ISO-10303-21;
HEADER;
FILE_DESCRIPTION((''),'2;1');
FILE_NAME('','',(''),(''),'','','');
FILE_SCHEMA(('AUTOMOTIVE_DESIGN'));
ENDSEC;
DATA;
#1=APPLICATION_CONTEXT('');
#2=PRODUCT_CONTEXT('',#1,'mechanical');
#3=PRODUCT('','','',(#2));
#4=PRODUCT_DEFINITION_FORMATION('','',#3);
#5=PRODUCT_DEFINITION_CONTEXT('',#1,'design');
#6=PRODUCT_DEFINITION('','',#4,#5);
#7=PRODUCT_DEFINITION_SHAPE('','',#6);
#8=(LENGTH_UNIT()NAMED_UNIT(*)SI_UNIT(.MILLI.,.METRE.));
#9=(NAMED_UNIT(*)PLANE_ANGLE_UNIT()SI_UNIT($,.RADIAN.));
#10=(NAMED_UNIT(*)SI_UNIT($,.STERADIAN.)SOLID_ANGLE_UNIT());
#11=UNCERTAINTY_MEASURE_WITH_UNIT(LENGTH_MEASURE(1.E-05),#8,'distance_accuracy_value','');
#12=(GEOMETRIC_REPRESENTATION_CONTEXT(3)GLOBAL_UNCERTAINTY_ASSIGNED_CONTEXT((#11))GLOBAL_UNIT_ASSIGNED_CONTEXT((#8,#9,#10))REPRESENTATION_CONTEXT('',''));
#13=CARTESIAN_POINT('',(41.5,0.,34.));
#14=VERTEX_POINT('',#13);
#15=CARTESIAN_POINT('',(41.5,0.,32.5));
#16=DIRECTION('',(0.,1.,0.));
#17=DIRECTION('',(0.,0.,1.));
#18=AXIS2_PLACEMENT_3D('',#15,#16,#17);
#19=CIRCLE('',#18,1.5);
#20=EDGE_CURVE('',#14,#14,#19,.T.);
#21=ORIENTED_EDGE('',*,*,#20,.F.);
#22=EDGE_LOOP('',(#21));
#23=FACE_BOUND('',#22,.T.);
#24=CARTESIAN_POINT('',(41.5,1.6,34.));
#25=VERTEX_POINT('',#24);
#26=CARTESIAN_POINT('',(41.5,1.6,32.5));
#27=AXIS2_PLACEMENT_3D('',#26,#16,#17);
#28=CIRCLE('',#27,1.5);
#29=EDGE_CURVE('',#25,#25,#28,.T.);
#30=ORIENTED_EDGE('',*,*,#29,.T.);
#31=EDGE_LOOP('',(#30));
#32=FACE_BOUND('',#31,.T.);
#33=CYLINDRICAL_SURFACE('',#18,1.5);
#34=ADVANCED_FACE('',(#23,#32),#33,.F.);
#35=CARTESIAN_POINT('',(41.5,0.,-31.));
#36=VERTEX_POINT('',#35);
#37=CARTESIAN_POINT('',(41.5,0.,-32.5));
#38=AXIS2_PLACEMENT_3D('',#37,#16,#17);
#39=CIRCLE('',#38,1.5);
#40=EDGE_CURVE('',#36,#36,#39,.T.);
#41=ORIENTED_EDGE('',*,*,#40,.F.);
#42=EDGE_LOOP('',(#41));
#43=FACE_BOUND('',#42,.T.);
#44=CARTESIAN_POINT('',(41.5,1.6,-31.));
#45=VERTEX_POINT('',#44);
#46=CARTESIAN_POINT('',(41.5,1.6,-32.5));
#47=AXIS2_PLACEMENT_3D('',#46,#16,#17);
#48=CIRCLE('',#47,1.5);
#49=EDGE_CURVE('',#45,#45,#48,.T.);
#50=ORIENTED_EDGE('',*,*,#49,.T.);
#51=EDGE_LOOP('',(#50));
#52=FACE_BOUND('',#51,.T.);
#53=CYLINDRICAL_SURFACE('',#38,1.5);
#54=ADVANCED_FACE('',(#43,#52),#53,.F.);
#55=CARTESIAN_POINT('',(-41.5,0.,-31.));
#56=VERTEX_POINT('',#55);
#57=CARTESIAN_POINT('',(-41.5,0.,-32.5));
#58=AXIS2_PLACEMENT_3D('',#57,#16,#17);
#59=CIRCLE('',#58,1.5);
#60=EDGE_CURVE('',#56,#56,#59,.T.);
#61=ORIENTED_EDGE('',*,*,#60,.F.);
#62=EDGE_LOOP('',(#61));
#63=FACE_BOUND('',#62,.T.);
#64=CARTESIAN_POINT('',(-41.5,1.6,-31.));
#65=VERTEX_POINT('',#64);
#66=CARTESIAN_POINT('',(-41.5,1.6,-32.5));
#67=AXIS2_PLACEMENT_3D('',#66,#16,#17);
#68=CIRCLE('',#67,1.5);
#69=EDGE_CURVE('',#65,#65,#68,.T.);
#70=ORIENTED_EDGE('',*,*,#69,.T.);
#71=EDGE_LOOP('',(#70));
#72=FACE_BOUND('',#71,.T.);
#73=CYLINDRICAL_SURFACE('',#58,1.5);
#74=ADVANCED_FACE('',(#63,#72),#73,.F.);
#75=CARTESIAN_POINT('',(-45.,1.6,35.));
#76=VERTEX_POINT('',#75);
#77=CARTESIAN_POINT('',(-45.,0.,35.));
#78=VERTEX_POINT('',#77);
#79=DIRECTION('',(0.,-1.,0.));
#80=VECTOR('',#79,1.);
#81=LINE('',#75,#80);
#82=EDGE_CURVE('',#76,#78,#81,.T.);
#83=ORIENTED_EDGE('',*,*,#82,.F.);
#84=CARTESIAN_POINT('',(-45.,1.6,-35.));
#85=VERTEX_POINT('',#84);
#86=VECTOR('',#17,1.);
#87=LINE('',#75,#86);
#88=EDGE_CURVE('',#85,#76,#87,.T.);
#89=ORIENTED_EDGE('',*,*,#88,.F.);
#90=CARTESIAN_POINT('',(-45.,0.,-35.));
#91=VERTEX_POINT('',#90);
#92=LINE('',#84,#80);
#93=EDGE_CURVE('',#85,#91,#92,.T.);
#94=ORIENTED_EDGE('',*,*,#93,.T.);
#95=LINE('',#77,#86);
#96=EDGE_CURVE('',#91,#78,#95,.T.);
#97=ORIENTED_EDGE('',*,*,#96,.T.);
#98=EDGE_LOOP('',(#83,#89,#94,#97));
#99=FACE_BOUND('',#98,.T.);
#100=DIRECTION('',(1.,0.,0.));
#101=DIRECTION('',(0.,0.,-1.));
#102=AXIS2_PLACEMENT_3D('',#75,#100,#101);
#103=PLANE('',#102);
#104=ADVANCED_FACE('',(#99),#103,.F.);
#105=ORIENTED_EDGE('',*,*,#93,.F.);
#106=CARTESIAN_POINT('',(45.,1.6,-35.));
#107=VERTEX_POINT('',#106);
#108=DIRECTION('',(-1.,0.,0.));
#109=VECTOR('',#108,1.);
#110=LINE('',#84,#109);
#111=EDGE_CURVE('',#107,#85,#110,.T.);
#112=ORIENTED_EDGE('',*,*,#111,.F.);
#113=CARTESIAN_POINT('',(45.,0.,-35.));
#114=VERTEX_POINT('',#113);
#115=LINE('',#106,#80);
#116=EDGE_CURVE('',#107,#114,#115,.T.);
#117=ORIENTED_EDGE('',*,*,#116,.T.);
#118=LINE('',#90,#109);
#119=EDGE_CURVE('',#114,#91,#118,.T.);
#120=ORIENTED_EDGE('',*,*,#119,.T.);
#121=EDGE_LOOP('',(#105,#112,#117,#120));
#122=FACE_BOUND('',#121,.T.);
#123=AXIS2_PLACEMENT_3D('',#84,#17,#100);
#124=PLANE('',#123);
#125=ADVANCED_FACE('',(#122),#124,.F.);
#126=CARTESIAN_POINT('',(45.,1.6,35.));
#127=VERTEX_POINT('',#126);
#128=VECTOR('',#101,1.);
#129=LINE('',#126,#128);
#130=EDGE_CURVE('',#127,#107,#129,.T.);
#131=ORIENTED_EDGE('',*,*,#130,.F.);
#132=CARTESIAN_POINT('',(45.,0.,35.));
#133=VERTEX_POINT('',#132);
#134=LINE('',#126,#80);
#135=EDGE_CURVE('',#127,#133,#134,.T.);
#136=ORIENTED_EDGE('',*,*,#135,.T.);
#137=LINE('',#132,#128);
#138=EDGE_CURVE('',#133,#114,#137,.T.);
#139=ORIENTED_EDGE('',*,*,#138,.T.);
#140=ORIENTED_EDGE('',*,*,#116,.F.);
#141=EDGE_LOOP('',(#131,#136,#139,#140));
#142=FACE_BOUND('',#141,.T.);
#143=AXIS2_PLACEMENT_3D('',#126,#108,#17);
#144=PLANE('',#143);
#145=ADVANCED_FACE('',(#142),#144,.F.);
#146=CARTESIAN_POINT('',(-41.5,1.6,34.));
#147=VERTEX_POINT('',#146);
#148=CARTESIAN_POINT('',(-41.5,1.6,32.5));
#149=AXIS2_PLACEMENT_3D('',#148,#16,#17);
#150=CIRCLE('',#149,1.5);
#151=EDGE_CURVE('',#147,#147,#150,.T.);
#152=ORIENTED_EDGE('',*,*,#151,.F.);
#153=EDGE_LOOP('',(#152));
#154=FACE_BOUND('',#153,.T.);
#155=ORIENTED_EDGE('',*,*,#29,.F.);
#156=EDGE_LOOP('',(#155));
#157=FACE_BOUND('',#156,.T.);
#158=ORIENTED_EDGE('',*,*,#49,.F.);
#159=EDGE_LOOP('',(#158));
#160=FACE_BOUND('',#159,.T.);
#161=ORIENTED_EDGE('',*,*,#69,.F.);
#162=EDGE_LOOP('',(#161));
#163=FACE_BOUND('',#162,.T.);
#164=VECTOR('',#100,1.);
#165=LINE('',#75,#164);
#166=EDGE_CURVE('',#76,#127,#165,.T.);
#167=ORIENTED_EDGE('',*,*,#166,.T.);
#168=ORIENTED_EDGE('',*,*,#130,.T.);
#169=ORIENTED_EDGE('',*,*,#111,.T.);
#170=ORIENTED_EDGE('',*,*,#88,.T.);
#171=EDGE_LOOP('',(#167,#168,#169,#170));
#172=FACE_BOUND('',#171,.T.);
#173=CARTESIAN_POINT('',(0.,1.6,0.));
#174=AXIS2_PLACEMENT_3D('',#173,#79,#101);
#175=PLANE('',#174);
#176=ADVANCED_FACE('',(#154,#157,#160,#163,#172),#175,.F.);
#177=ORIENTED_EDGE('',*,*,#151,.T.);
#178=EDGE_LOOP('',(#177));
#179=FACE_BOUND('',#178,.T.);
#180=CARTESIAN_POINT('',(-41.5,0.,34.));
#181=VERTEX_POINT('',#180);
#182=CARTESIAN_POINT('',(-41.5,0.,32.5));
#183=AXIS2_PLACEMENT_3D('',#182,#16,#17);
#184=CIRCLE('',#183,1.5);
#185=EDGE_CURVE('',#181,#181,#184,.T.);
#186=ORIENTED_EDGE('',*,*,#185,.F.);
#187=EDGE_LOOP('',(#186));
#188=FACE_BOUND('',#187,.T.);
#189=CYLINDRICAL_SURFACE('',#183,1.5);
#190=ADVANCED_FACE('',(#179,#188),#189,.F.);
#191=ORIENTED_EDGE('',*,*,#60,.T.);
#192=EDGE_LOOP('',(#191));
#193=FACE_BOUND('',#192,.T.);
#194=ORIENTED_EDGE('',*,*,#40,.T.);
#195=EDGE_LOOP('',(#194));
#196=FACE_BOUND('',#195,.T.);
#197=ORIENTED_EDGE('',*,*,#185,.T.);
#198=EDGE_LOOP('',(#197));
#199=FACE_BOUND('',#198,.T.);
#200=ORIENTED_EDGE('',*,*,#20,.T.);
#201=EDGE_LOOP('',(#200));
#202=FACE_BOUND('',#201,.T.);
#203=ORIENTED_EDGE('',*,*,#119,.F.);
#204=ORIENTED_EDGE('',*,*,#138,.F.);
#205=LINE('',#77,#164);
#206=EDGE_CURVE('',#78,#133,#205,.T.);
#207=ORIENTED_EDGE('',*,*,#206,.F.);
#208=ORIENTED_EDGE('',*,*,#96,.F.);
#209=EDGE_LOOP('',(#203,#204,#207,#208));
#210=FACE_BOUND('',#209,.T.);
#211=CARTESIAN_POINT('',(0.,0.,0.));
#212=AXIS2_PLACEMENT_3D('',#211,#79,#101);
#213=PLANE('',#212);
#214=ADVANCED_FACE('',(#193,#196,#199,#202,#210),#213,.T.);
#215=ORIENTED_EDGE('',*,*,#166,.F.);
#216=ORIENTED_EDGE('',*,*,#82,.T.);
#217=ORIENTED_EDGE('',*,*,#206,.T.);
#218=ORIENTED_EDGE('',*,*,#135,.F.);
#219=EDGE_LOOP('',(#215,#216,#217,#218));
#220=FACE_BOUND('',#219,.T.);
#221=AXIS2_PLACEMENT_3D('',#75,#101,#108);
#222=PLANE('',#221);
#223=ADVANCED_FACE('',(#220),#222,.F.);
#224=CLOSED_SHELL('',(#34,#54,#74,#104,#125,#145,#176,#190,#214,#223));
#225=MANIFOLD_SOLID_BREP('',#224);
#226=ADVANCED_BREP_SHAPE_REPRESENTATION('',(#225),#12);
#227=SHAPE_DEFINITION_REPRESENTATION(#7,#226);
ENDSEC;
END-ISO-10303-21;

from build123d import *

# Parameters (mm, degrees)
SKETCH1_W           = 90
SKETCH1_H           = 70
BOSS_EXTRUDE1_DEPTH = 1.6
SKETCH2_R           = 1.5
CUT_EXTRUDE1_DEPTH  = 1.6


with BuildPart() as part:
    # Sketch1 → Boss-Extrude1 (new body)
    with BuildSketch(Plane(origin=(0, 0, 0), x_dir=(1, 0, 0), z_dir=(0, 1, 0))):
        Rectangle(SKETCH1_W, SKETCH1_H)
    extrude(amount=BOSS_EXTRUDE1_DEPTH)

    # Sketch2 → Cut-Extrude1 (cut)
    with BuildSketch(Plane(origin=(0, 1.6, 0), x_dir=(1, 0, 0), z_dir=(0, 1, 0))):
        with Locations(Location((-41.5, 32.5, 0), (0, 0, 270))):
            Circle(SKETCH2_R)
        with Locations(Location((41.5, 32.5, 0), (0, 0, 270))):
            Circle(SKETCH2_R)
        with Locations(Location((41.5, -32.5, 0), (0, 0, 270))):
            Circle(SKETCH2_R)
        with Locations(Location((-41.5, -32.5, 0), (0, 0, 270))):
            Circle(SKETCH2_R)
    extrude(amount=-CUT_EXTRUDE1_DEPTH, mode=Mode.SUBTRACT)


solid = part.part
